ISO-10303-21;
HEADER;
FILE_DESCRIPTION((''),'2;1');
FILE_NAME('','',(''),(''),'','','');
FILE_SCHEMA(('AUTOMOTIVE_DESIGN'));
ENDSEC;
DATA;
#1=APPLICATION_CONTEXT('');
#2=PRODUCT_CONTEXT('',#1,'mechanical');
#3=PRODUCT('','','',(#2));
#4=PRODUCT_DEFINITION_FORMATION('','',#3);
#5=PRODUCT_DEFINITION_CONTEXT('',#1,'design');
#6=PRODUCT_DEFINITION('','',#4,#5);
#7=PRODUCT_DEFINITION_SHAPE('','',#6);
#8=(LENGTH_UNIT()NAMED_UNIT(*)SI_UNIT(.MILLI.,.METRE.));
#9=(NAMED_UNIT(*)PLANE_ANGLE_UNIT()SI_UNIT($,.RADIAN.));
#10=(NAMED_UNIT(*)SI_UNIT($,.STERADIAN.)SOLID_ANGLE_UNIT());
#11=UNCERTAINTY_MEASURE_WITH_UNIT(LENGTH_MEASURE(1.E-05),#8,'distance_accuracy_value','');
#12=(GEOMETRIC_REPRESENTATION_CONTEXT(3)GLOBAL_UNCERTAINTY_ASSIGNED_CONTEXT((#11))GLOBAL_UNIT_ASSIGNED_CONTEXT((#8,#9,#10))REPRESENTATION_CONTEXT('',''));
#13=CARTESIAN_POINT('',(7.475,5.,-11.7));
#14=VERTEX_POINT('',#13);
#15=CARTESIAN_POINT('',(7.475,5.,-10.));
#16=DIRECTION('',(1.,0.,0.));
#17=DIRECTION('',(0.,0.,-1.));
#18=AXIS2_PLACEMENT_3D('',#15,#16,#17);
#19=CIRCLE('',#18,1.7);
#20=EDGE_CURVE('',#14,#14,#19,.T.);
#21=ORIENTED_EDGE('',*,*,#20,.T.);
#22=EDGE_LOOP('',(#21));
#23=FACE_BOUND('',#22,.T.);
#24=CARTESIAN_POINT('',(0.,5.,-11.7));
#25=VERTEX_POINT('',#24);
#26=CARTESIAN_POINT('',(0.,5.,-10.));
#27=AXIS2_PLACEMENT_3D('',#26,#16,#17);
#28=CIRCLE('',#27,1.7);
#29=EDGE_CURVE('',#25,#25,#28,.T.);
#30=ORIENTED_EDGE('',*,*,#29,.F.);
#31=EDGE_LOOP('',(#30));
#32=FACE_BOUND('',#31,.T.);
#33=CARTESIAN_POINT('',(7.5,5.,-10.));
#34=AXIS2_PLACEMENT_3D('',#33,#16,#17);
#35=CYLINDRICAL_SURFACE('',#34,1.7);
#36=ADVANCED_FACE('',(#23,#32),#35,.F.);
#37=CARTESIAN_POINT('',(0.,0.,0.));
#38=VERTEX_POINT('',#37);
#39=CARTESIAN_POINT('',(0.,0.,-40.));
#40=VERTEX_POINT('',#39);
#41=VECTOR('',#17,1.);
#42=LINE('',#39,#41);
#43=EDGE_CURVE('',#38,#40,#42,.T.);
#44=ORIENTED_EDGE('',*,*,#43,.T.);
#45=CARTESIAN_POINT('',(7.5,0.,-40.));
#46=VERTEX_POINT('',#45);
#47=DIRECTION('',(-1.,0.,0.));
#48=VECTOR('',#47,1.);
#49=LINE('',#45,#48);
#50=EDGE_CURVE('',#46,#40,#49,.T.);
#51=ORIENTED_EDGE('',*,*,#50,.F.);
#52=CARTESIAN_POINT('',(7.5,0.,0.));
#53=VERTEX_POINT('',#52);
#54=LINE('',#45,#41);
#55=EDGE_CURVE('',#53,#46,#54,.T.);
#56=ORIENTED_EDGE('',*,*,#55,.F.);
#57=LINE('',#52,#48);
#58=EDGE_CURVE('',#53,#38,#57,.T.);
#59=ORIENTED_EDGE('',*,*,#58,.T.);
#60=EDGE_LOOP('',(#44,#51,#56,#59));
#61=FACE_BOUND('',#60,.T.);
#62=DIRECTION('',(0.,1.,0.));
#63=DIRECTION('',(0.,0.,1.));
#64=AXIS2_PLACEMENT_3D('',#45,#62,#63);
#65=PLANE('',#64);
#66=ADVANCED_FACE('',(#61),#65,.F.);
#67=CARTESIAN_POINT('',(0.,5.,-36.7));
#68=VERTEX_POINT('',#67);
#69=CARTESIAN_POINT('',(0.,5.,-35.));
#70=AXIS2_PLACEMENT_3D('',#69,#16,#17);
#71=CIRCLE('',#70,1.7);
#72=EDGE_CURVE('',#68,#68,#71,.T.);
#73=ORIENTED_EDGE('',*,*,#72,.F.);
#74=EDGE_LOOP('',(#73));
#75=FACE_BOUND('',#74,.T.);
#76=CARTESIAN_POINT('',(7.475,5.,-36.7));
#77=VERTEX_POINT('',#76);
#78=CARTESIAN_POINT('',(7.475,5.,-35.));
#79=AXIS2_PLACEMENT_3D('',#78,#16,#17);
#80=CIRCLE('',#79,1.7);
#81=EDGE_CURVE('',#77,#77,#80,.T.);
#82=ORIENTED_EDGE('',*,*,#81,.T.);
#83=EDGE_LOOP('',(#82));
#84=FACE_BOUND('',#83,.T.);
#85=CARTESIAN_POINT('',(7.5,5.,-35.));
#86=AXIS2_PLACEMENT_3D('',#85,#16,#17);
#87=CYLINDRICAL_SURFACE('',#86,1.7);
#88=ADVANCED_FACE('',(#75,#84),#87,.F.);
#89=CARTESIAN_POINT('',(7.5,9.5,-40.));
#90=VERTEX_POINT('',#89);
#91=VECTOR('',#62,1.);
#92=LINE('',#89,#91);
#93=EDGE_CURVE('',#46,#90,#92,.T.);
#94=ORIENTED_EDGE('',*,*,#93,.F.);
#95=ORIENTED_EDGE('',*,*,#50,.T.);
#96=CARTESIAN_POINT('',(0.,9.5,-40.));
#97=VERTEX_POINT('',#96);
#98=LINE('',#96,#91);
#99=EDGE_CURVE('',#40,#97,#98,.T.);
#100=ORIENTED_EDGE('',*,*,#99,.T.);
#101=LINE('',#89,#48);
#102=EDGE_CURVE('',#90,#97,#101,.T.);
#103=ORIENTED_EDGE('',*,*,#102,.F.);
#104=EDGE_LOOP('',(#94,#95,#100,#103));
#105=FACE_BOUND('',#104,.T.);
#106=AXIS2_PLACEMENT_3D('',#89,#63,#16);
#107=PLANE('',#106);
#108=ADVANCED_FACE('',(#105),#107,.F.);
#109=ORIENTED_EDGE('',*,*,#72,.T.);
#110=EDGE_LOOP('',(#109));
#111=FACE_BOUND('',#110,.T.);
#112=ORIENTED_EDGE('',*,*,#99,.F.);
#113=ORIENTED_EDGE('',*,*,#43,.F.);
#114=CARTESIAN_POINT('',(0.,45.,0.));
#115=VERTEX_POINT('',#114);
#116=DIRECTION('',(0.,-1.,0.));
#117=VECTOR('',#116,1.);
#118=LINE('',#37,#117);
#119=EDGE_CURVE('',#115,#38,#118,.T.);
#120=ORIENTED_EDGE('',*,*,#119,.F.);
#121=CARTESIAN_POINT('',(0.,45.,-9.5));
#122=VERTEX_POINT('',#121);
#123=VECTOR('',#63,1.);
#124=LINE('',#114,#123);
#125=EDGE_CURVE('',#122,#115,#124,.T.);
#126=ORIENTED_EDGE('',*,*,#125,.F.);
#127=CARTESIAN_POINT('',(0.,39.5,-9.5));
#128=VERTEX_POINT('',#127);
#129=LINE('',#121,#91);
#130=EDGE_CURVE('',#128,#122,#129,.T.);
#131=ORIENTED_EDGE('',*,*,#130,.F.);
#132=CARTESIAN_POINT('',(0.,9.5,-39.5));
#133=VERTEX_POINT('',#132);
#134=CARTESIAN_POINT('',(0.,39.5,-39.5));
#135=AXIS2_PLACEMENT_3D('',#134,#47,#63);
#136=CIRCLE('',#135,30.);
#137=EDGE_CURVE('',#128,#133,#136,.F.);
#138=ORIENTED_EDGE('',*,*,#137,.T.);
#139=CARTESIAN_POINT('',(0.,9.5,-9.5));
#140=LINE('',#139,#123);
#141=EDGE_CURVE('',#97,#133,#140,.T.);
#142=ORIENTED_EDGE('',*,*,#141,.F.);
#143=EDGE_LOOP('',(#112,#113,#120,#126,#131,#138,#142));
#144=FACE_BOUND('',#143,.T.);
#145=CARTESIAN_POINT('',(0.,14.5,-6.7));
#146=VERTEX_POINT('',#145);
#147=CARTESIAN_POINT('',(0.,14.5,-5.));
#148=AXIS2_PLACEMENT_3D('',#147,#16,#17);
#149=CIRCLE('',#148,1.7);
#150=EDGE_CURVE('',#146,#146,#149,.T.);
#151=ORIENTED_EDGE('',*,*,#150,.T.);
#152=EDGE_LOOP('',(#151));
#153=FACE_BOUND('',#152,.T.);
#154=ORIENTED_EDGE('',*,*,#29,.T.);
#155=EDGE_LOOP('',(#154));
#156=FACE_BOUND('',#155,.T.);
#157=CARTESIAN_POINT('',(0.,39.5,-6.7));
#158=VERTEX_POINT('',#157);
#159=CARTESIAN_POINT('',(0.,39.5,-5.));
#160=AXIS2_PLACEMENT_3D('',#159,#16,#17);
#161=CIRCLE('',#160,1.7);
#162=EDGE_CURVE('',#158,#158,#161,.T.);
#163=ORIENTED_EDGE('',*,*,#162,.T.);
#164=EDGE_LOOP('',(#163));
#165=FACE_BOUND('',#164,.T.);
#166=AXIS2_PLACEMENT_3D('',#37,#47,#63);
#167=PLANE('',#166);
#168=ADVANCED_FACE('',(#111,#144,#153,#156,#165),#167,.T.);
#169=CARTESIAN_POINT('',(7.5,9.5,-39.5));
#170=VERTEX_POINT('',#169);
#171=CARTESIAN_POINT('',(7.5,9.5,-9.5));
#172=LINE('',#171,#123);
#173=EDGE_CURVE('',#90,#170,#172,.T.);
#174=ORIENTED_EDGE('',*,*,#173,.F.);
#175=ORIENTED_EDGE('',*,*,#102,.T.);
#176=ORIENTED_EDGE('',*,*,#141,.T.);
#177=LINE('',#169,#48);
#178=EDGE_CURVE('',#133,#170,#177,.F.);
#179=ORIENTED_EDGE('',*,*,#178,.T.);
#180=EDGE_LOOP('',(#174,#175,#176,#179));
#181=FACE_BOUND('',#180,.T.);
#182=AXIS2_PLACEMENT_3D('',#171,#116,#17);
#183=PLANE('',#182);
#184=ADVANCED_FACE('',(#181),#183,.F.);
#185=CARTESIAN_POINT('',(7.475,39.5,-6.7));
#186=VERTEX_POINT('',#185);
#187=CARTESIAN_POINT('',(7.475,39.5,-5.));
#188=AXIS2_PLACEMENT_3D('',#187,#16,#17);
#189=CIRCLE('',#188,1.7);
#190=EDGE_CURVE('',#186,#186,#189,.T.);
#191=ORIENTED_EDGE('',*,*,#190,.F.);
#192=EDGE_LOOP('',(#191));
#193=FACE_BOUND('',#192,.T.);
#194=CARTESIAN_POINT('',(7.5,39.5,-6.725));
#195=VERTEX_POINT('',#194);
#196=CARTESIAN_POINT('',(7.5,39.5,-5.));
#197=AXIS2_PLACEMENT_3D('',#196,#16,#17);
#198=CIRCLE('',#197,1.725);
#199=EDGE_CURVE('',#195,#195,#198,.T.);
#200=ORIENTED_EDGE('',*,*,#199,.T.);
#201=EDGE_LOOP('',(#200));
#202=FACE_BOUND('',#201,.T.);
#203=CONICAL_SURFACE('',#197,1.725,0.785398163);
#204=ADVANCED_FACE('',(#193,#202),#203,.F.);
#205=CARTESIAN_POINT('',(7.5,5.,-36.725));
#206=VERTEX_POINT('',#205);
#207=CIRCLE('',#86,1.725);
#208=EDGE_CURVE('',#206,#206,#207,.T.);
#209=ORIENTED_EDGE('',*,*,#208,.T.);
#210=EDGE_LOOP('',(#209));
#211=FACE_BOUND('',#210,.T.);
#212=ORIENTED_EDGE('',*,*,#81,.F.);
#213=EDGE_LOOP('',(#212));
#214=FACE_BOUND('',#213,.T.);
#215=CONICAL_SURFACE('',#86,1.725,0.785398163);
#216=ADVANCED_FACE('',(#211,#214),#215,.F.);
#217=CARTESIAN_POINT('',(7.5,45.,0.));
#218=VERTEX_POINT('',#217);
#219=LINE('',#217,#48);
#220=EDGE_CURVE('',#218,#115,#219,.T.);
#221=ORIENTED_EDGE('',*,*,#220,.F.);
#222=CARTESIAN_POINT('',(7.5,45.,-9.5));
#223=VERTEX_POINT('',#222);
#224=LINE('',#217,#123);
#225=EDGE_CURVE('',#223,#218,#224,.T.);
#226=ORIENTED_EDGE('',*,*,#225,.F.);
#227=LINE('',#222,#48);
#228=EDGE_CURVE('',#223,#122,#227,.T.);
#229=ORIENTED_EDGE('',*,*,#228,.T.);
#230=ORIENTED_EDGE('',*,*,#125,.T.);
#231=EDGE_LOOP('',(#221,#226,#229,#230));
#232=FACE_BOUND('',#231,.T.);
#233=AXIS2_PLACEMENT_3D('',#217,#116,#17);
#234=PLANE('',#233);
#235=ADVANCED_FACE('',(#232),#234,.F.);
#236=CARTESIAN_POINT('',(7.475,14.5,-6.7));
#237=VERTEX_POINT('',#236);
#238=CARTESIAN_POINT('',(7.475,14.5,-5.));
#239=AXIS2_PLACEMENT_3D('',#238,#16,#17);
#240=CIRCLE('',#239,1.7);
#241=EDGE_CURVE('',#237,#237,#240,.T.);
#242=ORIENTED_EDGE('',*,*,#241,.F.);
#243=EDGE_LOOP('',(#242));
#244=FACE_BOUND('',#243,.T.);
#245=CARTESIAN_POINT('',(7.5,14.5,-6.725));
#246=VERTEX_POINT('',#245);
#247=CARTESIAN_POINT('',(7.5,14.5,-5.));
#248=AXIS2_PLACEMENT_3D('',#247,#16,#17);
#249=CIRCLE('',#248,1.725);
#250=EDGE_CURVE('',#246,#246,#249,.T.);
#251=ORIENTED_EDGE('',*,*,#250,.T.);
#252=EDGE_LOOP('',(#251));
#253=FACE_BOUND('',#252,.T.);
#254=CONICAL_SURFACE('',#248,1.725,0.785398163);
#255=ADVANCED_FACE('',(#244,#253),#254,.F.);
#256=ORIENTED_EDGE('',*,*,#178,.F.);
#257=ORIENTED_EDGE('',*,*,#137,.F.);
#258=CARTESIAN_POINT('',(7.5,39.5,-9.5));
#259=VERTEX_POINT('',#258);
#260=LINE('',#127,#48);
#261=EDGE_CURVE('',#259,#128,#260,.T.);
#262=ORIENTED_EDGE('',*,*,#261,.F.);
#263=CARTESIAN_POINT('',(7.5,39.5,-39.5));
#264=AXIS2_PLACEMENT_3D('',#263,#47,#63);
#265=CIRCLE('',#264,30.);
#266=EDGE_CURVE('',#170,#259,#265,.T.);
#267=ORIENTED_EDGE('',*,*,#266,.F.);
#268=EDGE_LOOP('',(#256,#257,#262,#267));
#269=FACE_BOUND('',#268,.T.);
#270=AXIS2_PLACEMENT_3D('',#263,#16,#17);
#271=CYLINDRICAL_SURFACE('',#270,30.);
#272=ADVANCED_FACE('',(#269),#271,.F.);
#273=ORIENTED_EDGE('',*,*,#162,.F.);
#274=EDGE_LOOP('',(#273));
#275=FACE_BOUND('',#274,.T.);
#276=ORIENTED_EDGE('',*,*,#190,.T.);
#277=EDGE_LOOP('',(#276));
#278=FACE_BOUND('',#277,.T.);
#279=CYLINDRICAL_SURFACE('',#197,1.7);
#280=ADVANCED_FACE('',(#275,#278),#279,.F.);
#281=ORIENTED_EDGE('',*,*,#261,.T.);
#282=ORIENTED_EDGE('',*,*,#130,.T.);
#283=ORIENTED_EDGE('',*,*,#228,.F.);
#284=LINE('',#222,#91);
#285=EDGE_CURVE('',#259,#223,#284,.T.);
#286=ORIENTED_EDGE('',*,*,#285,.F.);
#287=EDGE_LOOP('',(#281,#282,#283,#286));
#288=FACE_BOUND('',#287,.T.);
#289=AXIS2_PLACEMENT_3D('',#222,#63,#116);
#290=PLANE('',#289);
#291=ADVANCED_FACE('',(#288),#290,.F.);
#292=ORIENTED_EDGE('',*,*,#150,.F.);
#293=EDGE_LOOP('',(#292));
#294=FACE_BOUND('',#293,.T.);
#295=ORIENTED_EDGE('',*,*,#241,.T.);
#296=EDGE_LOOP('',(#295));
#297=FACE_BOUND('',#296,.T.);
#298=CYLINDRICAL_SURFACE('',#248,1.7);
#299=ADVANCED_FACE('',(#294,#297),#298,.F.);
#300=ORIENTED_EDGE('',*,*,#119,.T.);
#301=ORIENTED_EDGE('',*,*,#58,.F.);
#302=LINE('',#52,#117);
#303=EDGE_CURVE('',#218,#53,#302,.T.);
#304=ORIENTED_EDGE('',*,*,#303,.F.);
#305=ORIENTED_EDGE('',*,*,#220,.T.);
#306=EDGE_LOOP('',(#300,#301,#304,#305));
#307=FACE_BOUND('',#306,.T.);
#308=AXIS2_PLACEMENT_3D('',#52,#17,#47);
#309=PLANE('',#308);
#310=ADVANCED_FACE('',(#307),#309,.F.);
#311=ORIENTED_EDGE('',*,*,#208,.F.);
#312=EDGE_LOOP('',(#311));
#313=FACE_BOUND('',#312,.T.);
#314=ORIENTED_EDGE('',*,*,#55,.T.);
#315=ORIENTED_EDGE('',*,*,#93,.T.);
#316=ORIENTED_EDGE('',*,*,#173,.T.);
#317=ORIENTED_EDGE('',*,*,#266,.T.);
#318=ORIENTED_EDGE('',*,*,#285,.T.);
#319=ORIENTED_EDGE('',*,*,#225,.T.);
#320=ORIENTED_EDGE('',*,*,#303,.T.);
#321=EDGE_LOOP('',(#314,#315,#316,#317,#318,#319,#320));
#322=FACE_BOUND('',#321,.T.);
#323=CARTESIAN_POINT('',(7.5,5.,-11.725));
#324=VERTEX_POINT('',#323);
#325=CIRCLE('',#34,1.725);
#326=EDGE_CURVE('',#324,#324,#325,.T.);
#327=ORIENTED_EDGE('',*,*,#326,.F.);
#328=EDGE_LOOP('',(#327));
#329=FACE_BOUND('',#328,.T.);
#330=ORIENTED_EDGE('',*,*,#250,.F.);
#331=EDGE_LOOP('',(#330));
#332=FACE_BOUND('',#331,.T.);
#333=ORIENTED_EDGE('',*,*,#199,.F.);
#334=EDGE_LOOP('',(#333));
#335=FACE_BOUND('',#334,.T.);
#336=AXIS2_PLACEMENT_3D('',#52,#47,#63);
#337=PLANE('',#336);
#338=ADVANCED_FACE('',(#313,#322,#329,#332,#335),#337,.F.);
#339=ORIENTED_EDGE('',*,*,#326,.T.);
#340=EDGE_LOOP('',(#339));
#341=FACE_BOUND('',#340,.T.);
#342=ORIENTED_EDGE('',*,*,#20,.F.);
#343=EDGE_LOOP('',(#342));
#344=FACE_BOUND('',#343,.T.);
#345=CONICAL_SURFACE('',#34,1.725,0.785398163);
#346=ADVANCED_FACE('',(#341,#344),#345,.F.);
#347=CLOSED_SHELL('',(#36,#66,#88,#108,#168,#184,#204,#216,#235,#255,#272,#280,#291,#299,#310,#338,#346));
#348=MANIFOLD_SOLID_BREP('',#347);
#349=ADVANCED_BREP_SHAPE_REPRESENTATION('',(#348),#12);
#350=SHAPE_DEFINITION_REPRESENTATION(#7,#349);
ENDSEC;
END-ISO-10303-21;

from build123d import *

# Parameters (mm, degrees)
BOSS_EXTRUDE1_DEPTH            = 7.5
M3_CLEARANCE_HOLE1_D           = 3.4
M3_CLEARANCE_HOLE1_CSINK_D     = 3.45
M3_CLEARANCE_HOLE1_CSINK_ANGLE = 90
FILLET1_R                      = 30


with BuildPart() as part:
    # Sketch1 → Boss-Extrude1 (new body)
    with BuildSketch(Plane(origin=(0, 0, 0), x_dir=(0, 0, -1), z_dir=(1, 0, 0))):
        Polygon((0, 0), (0, 45), (9.5, 45), (9.5, 9.5), (40, 9.5), (40, 0), align=None)
    extrude(amount=BOSS_EXTRUDE1_DEPTH)

    # M3 Clearance Hole1 (through all)
    with Locations(Plane(origin=(7.5, 0, 0), x_dir=(0, 0, -1), z_dir=(1, 0, 0))):
        with Locations((35, 5), (10, 5), (5, 39.5), (5, 14.5)):
            CounterSinkHole(M3_CLEARANCE_HOLE1_D / 2, M3_CLEARANCE_HOLE1_CSINK_D / 2, counter_sink_angle=M3_CLEARANCE_HOLE1_CSINK_ANGLE)

    # Fillet1
    fillet1_edges = [part.edges().sort_by_distance(p)[0] for p in [
        (3.75, 9.5, -9.5),
    ]]
    fillet(fillet1_edges, radius=FILLET1_R)


solid = part.part
